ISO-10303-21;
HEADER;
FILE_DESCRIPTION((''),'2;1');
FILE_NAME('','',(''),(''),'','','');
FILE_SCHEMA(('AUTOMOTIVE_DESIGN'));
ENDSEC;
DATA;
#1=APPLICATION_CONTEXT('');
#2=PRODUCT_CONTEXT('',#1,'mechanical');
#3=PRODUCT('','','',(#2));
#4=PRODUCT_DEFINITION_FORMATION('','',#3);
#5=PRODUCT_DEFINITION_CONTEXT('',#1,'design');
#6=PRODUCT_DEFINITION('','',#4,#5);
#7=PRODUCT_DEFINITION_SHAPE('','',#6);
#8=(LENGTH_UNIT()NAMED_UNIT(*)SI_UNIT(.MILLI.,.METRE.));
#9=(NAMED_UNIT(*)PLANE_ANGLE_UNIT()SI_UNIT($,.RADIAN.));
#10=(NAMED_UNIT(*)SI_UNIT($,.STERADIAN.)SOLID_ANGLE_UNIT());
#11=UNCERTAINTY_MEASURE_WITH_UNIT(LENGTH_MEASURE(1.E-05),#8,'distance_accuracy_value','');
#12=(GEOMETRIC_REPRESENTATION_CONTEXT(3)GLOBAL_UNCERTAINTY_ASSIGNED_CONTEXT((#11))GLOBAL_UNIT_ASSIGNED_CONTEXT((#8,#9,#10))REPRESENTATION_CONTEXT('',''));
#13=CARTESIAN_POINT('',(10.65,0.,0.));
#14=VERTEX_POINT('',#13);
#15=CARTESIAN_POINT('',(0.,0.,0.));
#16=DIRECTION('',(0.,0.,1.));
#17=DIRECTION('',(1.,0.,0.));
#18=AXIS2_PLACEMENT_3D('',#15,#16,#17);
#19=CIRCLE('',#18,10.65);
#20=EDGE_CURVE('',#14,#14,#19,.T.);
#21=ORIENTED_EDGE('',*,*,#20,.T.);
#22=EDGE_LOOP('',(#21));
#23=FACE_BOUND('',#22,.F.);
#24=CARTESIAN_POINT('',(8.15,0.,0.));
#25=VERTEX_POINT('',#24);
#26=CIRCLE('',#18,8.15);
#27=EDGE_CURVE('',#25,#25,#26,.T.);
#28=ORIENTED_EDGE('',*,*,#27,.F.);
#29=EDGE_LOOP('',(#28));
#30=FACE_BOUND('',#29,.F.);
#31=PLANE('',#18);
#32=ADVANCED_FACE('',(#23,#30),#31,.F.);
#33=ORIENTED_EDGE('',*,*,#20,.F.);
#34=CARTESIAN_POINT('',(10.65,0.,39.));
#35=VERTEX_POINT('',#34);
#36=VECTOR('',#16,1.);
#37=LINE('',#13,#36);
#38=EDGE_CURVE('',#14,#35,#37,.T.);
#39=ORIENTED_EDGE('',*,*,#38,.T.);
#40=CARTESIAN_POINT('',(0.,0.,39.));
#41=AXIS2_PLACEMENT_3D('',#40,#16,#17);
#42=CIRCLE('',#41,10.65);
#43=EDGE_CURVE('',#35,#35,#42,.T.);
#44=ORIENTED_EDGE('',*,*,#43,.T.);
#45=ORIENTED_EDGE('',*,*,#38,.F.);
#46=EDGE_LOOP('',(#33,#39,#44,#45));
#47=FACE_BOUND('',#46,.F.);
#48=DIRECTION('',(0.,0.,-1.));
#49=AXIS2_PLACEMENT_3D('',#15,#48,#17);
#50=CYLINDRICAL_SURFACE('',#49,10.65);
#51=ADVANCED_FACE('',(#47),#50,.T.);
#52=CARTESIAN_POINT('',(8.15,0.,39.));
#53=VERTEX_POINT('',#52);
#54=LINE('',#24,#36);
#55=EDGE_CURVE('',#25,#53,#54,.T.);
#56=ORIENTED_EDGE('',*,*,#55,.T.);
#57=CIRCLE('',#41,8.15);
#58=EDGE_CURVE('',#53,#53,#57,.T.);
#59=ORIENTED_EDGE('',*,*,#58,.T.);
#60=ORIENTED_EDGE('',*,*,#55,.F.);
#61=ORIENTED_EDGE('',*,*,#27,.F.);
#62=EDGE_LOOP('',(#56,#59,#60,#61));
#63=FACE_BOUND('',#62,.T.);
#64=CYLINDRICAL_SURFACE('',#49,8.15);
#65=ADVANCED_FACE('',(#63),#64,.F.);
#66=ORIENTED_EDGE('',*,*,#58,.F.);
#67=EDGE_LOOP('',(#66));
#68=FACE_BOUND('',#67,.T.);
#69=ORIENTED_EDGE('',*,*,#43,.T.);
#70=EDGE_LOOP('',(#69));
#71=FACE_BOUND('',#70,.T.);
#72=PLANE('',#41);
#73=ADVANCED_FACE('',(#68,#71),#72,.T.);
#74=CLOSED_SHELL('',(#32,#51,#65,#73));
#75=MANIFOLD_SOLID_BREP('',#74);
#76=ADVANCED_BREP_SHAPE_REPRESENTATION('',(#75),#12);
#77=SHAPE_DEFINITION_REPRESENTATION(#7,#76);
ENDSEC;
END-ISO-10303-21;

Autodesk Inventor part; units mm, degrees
ref_plane "YZ Plane" through (0, 0, 0) normal (1, 0, 0) x (0, 1, 0)
ref_plane "Start Plane" through (0, 0, 0) normal (0, 0, 1) x (1, 0, 0)
ref_plane "End Plane" through (0, 0, 39) normal (0, 0, 1) x (1, 0, 0)
sketch "Sketch" plane through (0, 0, 0) normal (0, 0, 1) x (1, 0, 0)
  circle A0 centre (0, 0) radius 8.15
  circle A1 centre (0, 0) radius 10.65
  dimension "d0" = 21.3
  dimension "d1" = 2.5
extrude "Body" add sketch "Sketch" along normal up to surface (39 mm away) from surface at 0
sketch "Sketch3" plane through (0, 0, 0) normal (0, 0, 1) x (1, 0, 0)
  line L0 (0, 0) -> (10, 0)
ref_plane "Work Plane3" through (0, 0, 0) normal (0, -1, 0) x (1, 0, 0)
sketch "Sketch4" plane through (0, 0, 0) normal (0, -1, 0) x (1, 0, 0)
  line L0 (-2, 0) -> (12, 0)
  line L1 (-2, 39) -> (12, 39)
  dimension "d7" = 39
equation "\"d0\" = G_H"
equation "\"d1\" = G_T"
equation "\"d2\" = G_L"
equation "\"G_H\" = 21.3"
equation "\"G_T\" = 2.5"
equation "\"G_L\" = d7"
equation "\"G_OFFSET_START\" = 0"
equation "\"G_OFFSET_END\" = 0"
equation "\"d5\" = G_OFFSET_END + B_L"
equation "\"B_L\" = 39"
properties part number "ISO 10799-2 - 21.3x2.5 - 39" material "Steel, Mild"
